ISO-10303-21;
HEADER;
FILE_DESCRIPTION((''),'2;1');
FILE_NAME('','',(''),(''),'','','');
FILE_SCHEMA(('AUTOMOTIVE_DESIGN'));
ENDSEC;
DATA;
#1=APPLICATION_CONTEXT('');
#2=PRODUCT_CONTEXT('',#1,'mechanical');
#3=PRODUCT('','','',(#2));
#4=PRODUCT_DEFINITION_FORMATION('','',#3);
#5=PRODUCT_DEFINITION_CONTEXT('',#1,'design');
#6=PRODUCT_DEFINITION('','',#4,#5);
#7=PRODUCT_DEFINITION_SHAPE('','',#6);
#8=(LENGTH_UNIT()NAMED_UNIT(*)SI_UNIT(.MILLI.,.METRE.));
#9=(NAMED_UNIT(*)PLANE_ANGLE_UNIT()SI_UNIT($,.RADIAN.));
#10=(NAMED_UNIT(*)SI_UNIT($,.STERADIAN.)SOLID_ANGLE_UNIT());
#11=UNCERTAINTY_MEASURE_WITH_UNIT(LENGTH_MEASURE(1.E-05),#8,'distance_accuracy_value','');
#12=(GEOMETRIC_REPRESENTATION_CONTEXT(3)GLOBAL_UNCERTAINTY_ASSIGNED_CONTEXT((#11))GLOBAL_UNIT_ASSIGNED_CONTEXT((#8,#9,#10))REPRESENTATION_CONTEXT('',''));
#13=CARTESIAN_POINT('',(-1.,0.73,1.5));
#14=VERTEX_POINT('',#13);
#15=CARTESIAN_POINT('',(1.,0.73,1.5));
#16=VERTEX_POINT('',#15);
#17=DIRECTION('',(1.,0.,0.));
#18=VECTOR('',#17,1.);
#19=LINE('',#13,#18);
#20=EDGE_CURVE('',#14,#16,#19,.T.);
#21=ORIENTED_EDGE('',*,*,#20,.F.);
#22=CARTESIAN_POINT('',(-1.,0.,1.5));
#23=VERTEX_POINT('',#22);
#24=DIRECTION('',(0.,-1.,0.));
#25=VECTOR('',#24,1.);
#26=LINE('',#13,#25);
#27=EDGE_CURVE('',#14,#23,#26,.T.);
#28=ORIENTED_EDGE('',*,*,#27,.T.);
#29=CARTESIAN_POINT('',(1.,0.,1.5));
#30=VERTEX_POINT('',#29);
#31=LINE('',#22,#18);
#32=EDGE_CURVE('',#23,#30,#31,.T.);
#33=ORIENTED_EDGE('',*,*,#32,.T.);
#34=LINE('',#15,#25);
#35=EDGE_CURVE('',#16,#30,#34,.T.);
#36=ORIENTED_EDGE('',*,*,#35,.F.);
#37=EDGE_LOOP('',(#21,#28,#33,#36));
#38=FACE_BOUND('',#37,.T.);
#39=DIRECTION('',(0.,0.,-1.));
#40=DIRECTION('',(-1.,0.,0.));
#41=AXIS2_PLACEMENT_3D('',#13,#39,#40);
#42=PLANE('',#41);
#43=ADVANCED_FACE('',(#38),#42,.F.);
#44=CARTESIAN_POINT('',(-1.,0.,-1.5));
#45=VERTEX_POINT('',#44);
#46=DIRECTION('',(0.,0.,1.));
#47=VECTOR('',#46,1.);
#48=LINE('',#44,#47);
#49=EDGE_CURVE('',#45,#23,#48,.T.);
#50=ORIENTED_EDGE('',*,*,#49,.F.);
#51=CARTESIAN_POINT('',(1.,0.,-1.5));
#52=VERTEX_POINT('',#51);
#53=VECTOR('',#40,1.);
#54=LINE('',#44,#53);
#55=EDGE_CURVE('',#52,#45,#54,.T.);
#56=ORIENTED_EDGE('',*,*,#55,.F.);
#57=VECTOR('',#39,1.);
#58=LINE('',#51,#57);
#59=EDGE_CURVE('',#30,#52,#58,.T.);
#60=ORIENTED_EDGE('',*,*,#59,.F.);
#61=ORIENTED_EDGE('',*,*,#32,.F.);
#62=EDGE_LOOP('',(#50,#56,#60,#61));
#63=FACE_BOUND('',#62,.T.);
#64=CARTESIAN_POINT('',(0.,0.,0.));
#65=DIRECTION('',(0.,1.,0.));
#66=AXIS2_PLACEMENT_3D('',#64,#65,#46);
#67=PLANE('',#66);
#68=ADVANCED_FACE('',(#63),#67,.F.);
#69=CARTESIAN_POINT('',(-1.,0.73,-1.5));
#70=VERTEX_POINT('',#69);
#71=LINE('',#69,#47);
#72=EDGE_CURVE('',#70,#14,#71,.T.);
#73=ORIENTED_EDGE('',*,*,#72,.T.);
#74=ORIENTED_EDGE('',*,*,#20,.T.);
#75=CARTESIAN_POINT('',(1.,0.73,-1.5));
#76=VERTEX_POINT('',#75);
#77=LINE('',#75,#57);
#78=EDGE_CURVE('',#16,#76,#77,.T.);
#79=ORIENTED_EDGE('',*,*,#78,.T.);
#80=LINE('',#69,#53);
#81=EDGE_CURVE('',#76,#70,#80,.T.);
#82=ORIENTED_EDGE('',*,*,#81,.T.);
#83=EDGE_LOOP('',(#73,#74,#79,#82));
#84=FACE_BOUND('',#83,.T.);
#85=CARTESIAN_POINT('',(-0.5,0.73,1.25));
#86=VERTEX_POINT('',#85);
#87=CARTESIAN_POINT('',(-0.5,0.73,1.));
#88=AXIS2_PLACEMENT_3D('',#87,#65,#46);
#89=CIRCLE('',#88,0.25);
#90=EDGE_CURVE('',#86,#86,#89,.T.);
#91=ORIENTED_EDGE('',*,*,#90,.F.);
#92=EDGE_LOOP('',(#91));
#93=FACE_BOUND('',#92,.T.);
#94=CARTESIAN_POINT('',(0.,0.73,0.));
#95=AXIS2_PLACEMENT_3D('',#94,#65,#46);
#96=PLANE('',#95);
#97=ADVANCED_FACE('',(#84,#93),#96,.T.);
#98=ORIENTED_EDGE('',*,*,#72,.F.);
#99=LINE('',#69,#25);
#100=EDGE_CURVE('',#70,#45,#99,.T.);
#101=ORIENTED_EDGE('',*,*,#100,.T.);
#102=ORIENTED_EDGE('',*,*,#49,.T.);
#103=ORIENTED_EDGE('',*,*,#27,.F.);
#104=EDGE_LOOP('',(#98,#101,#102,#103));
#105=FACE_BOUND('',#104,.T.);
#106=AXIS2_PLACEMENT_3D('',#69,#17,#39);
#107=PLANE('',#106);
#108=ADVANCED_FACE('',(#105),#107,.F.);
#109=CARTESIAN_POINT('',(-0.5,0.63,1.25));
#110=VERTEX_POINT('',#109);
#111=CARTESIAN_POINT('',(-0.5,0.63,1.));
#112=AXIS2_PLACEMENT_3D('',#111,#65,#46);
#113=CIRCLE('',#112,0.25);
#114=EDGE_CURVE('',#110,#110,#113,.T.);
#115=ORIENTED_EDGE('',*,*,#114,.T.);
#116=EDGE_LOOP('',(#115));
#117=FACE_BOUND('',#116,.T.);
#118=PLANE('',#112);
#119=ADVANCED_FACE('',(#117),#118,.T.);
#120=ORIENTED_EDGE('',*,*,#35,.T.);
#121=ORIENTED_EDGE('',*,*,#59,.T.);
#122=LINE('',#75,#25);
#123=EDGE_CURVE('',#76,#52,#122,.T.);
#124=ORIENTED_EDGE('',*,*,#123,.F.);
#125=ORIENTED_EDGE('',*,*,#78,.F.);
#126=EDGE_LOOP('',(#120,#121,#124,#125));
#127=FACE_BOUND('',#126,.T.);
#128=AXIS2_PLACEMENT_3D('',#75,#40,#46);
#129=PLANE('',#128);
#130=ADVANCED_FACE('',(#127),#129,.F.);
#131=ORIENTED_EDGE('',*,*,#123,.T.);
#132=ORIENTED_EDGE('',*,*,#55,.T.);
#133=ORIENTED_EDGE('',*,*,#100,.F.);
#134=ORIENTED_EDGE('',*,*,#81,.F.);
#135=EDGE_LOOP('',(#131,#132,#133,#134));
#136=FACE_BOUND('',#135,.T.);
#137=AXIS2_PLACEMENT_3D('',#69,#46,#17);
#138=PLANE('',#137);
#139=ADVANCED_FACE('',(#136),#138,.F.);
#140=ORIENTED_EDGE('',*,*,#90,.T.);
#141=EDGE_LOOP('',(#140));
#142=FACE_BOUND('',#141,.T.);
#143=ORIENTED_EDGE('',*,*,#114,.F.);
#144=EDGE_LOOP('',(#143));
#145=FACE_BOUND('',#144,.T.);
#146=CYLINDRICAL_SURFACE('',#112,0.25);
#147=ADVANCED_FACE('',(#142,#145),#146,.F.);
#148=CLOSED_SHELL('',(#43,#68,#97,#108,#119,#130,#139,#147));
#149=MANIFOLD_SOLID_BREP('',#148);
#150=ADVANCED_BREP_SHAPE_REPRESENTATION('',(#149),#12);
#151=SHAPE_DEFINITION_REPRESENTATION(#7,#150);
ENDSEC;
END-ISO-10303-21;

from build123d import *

# Parameters (mm, degrees)
SKETCH1_W           = 2
SKETCH1_H           = 3
BOSS_EXTRUDE1_DEPTH = 0.73
SKETCH2_R           = 0.25
CUT_EXTRUDE1_DEPTH  = 0.1


with BuildPart() as part:
    # Sketch1 → Boss-Extrude1 (new body)
    with BuildSketch(Plane(origin=(0, 0, 0), x_dir=(1, 0, 0), z_dir=(0, 1, 0))):
        Rectangle(SKETCH1_W, SKETCH1_H)
    extrude(amount=BOSS_EXTRUDE1_DEPTH)

    # Sketch2 → Cut-Extrude1 (cut)
    with BuildSketch(Plane(origin=(0, 0.73, 0), x_dir=(1, 0, 0), z_dir=(0, 1, 0))):
        with Locations((-0.5, -1)):
            Circle(SKETCH2_R)
    extrude(amount=-CUT_EXTRUDE1_DEPTH, mode=Mode.SUBTRACT)


solid = part.part
